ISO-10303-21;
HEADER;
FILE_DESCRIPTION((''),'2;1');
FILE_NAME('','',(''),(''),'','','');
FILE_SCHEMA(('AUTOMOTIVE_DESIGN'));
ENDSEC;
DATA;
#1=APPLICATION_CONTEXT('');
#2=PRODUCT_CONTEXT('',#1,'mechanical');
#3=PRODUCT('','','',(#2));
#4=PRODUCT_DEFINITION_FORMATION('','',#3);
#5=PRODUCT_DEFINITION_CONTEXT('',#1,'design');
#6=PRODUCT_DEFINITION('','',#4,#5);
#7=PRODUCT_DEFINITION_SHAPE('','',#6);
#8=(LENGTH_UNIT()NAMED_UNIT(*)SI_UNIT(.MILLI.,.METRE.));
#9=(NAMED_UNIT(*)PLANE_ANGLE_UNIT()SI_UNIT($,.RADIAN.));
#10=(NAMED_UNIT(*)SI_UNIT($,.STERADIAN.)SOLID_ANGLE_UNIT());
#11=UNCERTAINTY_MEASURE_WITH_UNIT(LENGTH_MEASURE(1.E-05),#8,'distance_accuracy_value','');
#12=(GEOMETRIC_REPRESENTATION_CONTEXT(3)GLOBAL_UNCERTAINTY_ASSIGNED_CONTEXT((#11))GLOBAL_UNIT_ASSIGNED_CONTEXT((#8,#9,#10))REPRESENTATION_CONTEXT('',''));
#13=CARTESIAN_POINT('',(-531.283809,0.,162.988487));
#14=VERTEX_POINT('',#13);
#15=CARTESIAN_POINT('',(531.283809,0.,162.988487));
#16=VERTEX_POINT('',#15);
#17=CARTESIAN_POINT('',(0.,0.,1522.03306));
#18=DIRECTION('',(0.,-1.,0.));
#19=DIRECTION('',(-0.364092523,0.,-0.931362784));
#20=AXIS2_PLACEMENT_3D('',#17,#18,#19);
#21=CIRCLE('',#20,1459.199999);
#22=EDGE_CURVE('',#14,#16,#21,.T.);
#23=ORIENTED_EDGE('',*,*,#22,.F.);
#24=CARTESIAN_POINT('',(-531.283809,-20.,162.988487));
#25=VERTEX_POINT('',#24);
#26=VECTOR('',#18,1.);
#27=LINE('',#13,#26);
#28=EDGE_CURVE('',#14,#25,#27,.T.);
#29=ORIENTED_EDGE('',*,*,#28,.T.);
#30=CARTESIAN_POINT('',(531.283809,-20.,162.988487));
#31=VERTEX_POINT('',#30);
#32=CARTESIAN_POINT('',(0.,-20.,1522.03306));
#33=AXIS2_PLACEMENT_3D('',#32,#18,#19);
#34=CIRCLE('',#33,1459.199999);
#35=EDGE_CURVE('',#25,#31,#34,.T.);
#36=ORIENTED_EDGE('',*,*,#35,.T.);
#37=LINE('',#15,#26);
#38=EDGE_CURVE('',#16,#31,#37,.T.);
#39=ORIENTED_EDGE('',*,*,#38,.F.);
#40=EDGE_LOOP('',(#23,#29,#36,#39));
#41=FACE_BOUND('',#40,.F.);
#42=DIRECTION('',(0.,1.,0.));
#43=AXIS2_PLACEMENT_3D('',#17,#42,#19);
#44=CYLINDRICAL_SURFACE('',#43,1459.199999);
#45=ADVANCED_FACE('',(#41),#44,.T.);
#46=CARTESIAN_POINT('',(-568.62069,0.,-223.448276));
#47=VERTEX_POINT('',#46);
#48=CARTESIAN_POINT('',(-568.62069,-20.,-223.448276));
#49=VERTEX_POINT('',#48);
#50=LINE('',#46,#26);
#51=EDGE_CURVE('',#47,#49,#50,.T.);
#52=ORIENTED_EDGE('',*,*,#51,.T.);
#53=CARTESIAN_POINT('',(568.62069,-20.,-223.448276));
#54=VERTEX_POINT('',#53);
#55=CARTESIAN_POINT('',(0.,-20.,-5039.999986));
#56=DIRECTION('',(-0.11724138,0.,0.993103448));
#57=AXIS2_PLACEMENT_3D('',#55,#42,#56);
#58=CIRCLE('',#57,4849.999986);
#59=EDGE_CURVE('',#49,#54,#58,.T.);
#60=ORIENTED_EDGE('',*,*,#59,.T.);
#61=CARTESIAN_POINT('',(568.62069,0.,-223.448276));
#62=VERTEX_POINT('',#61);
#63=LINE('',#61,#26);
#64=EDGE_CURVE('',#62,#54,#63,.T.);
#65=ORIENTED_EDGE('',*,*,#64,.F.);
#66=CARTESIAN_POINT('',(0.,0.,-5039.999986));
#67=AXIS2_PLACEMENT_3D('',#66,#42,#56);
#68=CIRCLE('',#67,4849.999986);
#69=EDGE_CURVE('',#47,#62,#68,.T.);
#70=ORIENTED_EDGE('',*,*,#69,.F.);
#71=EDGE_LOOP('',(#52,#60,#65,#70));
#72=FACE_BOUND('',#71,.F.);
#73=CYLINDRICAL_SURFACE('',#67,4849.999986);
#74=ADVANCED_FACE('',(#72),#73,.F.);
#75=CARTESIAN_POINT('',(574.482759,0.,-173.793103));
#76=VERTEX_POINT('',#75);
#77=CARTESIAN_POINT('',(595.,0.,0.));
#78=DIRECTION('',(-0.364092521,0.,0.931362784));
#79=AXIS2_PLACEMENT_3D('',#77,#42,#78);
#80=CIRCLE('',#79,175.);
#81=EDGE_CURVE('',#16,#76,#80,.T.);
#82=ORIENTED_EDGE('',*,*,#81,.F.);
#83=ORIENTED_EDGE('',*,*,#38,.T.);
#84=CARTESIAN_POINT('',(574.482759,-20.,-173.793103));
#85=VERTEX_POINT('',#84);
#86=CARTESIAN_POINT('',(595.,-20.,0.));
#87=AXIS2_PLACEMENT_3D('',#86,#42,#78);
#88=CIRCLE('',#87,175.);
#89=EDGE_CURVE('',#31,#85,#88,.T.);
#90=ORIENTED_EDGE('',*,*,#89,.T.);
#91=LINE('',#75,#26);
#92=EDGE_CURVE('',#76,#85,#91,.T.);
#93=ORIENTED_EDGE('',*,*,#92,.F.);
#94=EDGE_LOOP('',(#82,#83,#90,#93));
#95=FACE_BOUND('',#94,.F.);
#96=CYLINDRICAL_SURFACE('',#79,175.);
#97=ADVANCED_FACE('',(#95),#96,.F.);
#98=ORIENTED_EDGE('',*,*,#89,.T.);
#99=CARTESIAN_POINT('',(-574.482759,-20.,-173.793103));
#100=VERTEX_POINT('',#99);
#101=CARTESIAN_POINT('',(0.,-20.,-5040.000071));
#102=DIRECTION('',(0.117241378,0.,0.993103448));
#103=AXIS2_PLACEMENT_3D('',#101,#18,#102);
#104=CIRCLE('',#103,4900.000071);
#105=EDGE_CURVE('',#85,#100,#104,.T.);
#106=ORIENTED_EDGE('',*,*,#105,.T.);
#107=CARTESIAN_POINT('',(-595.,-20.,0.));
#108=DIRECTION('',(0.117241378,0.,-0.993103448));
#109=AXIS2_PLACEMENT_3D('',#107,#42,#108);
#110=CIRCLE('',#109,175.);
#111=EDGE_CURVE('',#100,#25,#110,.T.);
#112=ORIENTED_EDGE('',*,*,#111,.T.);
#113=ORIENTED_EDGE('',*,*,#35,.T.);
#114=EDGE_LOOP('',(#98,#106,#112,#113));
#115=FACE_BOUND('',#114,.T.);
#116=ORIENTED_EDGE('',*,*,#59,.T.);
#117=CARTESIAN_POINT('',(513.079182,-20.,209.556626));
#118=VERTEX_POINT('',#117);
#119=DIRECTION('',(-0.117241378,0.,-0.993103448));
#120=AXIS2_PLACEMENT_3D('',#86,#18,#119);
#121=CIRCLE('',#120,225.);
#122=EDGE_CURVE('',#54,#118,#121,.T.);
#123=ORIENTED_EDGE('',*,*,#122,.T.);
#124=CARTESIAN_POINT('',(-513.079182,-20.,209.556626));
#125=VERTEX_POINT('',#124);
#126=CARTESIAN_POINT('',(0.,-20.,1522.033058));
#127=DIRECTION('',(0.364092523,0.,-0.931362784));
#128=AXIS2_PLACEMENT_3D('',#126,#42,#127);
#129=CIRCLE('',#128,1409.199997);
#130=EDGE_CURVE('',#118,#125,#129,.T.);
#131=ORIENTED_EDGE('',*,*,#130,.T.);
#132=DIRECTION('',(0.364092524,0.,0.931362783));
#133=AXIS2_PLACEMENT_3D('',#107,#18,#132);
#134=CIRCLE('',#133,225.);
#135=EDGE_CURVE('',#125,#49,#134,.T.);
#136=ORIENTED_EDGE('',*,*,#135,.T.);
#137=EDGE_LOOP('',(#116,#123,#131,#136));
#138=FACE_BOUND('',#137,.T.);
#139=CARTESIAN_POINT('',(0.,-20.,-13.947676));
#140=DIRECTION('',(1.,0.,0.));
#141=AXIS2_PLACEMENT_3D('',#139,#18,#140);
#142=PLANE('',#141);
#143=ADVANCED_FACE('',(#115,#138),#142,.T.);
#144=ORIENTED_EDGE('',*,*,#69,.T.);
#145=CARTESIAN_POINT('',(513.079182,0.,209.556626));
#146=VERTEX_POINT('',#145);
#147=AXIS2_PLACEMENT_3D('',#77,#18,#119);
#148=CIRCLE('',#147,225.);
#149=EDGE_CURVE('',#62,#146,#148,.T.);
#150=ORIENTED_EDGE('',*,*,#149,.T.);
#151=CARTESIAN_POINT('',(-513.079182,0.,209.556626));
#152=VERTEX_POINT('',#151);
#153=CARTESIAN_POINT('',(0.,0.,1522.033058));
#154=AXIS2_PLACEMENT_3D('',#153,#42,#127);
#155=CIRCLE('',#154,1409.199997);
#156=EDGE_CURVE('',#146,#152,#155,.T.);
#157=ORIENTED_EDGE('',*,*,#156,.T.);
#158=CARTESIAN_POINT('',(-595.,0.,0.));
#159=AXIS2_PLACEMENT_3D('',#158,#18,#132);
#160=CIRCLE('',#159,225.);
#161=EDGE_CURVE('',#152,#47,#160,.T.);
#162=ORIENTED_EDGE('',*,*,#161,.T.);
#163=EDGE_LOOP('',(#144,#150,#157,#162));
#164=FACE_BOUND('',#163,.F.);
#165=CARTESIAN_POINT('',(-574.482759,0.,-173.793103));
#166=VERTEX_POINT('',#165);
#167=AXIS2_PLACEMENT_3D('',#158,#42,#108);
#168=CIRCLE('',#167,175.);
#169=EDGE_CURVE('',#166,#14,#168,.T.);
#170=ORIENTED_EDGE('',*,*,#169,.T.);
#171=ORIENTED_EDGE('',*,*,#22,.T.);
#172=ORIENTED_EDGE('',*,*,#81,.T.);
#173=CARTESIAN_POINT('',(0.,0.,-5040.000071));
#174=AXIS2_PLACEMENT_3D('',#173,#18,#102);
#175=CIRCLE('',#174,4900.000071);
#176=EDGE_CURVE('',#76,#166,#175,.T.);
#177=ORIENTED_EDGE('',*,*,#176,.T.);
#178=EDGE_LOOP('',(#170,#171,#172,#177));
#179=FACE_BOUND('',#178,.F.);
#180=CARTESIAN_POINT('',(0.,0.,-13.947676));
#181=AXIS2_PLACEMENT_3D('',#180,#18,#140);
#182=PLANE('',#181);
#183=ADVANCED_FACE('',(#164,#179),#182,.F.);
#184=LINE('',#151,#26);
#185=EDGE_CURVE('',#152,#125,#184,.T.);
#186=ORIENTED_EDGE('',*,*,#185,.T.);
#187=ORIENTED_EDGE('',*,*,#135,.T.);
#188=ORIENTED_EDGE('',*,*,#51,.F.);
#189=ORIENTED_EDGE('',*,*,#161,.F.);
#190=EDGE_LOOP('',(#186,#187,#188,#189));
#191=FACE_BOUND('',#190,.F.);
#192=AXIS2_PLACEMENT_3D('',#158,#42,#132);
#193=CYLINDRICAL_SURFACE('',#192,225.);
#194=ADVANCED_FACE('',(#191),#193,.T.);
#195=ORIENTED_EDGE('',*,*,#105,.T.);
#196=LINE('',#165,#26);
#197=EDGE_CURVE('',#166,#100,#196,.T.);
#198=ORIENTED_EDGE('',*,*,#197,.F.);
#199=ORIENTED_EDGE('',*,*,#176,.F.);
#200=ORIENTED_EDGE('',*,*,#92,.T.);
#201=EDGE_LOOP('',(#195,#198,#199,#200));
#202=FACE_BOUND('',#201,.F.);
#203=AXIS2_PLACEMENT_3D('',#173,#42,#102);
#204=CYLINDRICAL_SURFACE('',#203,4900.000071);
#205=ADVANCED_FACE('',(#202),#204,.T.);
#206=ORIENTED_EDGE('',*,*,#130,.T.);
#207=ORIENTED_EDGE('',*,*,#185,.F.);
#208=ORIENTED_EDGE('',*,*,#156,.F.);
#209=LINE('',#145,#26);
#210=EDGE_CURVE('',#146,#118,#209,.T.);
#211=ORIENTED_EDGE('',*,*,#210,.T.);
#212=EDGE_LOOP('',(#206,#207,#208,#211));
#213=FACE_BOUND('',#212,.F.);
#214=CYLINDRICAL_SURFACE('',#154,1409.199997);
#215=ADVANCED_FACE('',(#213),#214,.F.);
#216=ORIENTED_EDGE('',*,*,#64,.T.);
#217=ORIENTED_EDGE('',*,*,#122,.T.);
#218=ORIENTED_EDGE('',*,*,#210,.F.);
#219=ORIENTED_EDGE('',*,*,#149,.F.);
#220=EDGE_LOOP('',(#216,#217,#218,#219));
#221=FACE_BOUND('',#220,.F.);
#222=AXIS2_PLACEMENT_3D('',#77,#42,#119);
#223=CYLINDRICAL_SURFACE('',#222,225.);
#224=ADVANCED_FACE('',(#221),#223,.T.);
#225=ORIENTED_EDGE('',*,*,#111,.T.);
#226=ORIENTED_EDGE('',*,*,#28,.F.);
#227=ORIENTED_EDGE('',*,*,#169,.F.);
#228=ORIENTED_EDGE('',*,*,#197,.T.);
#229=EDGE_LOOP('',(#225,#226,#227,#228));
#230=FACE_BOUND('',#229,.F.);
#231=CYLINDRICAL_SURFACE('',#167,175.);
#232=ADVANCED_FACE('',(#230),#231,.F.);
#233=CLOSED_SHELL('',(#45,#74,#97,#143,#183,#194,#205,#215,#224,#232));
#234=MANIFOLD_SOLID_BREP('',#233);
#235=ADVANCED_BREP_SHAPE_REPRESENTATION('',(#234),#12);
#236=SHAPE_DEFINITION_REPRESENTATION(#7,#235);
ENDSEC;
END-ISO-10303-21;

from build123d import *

# Parameters (mm, degrees)
F1_DEPTH = 20


with BuildPart() as f1:
    # F0 (on Front) → F1 (new body)
    with BuildSketch(Plane.XZ):
        with BuildLine():
            ThreePointArc((513.079182, 209.556626), (0, 112.833061), (-513.079182, 209.556626))
            ThreePointArc((-513.079182, 209.556626), (-818.17155, 28.626198), (-568.62069, -223.448276))
            ThreePointArc((-568.62069, -223.448276), (0, -190), (568.62069, -223.448276))
            ThreePointArc((568.62069, -223.448276), (818.17155, 28.626198), (513.079182, 209.556626))
        make_face()
        with BuildLine():
            ThreePointArc((-574.482759, -173.793103), (-768.577872, 22.264821), (-531.283809, 162.988487))
            ThreePointArc((-531.283809, 162.988487), (0, 62.833061), (531.283809, 162.988487))
            ThreePointArc((531.283809, 162.988487), (768.577872, 22.264821), (574.482759, -173.793103))
            ThreePointArc((574.482759, -173.793103), (0, -140), (-574.482759, -173.793103))
        make_face(mode=Mode.SUBTRACT)
    extrude(amount=F1_DEPTH)


solid = f1.part
